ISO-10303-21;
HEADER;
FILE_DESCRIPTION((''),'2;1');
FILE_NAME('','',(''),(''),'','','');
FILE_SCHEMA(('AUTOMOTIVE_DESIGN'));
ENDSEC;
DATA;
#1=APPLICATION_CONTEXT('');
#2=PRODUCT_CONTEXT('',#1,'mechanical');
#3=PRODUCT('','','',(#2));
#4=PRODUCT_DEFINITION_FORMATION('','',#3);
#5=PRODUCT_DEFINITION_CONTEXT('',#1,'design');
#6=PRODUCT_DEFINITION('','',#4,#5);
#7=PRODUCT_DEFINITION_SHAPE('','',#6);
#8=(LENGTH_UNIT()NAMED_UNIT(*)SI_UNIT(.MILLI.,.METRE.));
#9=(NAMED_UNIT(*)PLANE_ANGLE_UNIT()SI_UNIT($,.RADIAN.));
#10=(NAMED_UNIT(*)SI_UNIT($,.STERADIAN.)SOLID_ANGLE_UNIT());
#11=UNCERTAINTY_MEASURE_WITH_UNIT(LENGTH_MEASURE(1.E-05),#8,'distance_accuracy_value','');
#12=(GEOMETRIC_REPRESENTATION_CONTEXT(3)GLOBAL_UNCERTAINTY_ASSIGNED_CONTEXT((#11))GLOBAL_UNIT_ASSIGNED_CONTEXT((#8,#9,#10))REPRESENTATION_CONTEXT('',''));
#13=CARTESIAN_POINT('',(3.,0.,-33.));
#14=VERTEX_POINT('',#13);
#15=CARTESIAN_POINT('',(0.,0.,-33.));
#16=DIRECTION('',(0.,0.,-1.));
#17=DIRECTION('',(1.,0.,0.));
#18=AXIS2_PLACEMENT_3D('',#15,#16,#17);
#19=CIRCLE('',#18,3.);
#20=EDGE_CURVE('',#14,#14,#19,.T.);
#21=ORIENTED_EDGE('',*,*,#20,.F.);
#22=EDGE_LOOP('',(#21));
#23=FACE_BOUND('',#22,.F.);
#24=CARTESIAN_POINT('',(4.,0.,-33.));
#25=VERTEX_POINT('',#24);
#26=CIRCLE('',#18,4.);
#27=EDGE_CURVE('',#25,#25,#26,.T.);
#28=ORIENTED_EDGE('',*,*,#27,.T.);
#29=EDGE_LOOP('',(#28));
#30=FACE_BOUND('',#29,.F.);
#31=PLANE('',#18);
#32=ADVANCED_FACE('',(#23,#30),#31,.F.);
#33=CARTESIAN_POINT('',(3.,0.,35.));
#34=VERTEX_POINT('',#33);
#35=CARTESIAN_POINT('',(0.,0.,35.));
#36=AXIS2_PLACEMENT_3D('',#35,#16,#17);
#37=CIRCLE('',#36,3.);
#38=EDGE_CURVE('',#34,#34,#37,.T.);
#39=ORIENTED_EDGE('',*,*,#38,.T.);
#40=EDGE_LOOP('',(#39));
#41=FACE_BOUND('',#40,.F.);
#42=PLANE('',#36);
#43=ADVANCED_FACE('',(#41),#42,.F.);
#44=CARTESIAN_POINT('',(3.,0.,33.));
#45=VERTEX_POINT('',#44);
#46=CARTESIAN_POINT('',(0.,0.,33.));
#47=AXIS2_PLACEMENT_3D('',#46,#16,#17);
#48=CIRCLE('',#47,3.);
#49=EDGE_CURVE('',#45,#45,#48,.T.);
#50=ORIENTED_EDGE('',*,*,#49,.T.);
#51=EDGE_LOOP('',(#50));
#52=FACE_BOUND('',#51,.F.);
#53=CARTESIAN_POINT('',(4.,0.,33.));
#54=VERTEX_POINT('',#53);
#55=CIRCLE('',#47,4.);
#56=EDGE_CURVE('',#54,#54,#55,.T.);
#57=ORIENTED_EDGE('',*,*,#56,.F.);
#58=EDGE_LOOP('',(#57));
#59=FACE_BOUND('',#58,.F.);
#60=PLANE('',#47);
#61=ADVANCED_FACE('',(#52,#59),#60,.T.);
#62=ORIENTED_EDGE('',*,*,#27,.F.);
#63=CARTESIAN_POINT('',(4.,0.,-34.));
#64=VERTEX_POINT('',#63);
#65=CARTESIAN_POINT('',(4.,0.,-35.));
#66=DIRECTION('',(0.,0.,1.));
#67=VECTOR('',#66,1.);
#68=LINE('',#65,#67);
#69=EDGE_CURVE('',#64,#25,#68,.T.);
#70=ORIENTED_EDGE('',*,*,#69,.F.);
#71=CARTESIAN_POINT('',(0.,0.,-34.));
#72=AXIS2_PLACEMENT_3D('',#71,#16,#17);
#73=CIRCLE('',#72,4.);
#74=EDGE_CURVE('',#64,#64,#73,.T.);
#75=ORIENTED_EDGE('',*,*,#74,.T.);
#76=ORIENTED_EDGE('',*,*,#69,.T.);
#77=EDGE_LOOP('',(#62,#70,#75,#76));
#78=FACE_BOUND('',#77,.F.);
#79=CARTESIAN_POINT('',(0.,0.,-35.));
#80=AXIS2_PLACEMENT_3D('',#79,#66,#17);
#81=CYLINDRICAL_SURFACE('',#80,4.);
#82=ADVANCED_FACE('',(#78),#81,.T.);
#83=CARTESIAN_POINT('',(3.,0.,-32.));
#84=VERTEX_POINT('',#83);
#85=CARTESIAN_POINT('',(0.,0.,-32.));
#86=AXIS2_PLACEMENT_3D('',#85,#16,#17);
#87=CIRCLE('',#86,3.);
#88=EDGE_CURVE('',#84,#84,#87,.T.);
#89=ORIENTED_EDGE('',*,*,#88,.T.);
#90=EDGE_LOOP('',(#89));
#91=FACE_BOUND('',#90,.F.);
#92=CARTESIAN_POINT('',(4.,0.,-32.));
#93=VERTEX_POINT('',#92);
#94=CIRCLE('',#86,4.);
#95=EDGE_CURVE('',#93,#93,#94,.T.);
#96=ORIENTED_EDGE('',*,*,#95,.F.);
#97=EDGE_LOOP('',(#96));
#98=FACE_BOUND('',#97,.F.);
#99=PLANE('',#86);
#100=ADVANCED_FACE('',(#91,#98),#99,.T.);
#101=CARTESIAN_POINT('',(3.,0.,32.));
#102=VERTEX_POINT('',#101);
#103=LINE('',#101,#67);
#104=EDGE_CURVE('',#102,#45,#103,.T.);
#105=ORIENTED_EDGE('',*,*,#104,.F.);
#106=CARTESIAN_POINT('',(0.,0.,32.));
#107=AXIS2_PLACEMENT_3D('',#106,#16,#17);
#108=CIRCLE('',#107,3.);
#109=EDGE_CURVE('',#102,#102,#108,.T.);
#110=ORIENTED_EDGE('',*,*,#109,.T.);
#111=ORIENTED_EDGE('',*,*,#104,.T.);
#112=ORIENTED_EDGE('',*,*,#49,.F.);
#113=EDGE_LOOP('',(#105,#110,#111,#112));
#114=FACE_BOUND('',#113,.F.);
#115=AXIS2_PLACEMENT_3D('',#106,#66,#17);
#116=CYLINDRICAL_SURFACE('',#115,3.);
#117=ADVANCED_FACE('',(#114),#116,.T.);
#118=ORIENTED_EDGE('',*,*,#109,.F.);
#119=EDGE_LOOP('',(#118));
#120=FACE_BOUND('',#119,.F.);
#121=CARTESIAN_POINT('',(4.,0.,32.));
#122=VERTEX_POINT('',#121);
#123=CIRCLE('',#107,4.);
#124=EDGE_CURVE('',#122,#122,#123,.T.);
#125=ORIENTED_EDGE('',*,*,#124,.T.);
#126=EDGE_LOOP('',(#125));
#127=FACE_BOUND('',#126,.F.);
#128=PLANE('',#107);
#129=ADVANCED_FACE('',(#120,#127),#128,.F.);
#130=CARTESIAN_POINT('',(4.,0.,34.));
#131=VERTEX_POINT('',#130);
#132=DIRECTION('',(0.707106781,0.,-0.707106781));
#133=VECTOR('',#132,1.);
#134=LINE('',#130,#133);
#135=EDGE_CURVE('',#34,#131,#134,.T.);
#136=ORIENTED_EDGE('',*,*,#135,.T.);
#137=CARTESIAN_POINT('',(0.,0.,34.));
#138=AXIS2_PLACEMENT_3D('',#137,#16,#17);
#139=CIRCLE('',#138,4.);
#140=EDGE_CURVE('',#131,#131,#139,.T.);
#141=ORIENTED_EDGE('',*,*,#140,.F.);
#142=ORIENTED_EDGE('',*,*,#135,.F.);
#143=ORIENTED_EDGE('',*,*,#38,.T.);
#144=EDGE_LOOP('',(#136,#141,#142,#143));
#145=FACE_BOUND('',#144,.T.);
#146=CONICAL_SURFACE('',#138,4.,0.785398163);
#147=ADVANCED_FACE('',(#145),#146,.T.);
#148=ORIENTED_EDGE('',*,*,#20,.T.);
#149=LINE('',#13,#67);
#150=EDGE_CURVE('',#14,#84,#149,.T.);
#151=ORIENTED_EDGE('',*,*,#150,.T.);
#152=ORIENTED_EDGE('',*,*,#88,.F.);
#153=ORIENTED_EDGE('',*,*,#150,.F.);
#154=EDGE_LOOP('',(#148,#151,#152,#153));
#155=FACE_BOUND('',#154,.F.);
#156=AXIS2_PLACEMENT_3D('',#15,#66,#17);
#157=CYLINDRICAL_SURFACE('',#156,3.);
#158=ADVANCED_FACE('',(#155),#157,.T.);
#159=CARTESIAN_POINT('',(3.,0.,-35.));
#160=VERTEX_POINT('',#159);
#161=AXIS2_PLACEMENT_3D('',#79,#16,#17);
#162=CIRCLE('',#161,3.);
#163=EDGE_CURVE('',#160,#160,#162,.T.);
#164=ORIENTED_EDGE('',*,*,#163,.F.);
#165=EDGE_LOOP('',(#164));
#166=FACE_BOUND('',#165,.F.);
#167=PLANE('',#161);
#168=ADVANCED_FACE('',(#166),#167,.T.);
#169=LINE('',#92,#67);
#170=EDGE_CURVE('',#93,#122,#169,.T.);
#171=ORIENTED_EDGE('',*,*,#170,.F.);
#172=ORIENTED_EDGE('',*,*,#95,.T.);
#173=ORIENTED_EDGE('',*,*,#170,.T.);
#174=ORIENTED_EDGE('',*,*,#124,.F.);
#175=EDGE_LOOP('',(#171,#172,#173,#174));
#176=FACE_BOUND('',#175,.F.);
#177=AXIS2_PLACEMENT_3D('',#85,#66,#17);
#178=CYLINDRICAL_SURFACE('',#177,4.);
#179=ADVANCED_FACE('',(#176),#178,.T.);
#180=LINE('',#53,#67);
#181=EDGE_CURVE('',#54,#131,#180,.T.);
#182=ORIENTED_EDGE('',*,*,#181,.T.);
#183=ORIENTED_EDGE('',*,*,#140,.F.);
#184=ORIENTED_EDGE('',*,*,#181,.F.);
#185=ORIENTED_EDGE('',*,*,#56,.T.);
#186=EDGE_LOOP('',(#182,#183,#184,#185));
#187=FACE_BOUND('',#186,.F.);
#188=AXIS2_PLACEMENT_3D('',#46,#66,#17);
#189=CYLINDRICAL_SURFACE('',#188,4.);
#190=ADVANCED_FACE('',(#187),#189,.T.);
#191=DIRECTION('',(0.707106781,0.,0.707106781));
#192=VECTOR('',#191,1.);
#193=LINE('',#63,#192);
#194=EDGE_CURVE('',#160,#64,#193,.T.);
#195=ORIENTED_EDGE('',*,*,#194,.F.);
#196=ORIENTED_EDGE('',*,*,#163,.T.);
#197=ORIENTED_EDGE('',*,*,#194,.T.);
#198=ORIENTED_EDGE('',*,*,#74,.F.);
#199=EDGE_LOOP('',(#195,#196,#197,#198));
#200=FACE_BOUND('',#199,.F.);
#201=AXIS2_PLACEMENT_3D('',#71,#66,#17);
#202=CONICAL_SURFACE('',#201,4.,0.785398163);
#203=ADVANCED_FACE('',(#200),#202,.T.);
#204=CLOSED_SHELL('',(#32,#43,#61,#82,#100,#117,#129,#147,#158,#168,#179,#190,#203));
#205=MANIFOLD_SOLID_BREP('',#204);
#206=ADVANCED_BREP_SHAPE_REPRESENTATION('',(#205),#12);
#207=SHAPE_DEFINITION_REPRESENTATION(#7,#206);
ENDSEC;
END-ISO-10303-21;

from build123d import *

# Parameters (mm, degrees)
F2_SIZE2 = 1
F2_SIZE  = 1


with BuildPart() as f1:
    # F0 (on Front) → F1 (revolve)
    with BuildSketch(Plane.XZ):
        Polygon((4, 35), (0, 35), (0, -35), (4, -35), (4, -33), (3, -33), (3, -32), (4, -32), (4, 32), (3, 32), (3, 33), (4, 33), align=None)
    revolve(axis=Axis((0, 0, 0), (0, 0, -1)))

    # F2
    f2_edges = [f1.edges().sort_by_distance(p)[0] for p in [
        (-4, 0, 35),
        (-4, 0, -35),
    ]]
    chamfer(f2_edges, length=F2_SIZE, length2=F2_SIZE2)


solid = f1.part
